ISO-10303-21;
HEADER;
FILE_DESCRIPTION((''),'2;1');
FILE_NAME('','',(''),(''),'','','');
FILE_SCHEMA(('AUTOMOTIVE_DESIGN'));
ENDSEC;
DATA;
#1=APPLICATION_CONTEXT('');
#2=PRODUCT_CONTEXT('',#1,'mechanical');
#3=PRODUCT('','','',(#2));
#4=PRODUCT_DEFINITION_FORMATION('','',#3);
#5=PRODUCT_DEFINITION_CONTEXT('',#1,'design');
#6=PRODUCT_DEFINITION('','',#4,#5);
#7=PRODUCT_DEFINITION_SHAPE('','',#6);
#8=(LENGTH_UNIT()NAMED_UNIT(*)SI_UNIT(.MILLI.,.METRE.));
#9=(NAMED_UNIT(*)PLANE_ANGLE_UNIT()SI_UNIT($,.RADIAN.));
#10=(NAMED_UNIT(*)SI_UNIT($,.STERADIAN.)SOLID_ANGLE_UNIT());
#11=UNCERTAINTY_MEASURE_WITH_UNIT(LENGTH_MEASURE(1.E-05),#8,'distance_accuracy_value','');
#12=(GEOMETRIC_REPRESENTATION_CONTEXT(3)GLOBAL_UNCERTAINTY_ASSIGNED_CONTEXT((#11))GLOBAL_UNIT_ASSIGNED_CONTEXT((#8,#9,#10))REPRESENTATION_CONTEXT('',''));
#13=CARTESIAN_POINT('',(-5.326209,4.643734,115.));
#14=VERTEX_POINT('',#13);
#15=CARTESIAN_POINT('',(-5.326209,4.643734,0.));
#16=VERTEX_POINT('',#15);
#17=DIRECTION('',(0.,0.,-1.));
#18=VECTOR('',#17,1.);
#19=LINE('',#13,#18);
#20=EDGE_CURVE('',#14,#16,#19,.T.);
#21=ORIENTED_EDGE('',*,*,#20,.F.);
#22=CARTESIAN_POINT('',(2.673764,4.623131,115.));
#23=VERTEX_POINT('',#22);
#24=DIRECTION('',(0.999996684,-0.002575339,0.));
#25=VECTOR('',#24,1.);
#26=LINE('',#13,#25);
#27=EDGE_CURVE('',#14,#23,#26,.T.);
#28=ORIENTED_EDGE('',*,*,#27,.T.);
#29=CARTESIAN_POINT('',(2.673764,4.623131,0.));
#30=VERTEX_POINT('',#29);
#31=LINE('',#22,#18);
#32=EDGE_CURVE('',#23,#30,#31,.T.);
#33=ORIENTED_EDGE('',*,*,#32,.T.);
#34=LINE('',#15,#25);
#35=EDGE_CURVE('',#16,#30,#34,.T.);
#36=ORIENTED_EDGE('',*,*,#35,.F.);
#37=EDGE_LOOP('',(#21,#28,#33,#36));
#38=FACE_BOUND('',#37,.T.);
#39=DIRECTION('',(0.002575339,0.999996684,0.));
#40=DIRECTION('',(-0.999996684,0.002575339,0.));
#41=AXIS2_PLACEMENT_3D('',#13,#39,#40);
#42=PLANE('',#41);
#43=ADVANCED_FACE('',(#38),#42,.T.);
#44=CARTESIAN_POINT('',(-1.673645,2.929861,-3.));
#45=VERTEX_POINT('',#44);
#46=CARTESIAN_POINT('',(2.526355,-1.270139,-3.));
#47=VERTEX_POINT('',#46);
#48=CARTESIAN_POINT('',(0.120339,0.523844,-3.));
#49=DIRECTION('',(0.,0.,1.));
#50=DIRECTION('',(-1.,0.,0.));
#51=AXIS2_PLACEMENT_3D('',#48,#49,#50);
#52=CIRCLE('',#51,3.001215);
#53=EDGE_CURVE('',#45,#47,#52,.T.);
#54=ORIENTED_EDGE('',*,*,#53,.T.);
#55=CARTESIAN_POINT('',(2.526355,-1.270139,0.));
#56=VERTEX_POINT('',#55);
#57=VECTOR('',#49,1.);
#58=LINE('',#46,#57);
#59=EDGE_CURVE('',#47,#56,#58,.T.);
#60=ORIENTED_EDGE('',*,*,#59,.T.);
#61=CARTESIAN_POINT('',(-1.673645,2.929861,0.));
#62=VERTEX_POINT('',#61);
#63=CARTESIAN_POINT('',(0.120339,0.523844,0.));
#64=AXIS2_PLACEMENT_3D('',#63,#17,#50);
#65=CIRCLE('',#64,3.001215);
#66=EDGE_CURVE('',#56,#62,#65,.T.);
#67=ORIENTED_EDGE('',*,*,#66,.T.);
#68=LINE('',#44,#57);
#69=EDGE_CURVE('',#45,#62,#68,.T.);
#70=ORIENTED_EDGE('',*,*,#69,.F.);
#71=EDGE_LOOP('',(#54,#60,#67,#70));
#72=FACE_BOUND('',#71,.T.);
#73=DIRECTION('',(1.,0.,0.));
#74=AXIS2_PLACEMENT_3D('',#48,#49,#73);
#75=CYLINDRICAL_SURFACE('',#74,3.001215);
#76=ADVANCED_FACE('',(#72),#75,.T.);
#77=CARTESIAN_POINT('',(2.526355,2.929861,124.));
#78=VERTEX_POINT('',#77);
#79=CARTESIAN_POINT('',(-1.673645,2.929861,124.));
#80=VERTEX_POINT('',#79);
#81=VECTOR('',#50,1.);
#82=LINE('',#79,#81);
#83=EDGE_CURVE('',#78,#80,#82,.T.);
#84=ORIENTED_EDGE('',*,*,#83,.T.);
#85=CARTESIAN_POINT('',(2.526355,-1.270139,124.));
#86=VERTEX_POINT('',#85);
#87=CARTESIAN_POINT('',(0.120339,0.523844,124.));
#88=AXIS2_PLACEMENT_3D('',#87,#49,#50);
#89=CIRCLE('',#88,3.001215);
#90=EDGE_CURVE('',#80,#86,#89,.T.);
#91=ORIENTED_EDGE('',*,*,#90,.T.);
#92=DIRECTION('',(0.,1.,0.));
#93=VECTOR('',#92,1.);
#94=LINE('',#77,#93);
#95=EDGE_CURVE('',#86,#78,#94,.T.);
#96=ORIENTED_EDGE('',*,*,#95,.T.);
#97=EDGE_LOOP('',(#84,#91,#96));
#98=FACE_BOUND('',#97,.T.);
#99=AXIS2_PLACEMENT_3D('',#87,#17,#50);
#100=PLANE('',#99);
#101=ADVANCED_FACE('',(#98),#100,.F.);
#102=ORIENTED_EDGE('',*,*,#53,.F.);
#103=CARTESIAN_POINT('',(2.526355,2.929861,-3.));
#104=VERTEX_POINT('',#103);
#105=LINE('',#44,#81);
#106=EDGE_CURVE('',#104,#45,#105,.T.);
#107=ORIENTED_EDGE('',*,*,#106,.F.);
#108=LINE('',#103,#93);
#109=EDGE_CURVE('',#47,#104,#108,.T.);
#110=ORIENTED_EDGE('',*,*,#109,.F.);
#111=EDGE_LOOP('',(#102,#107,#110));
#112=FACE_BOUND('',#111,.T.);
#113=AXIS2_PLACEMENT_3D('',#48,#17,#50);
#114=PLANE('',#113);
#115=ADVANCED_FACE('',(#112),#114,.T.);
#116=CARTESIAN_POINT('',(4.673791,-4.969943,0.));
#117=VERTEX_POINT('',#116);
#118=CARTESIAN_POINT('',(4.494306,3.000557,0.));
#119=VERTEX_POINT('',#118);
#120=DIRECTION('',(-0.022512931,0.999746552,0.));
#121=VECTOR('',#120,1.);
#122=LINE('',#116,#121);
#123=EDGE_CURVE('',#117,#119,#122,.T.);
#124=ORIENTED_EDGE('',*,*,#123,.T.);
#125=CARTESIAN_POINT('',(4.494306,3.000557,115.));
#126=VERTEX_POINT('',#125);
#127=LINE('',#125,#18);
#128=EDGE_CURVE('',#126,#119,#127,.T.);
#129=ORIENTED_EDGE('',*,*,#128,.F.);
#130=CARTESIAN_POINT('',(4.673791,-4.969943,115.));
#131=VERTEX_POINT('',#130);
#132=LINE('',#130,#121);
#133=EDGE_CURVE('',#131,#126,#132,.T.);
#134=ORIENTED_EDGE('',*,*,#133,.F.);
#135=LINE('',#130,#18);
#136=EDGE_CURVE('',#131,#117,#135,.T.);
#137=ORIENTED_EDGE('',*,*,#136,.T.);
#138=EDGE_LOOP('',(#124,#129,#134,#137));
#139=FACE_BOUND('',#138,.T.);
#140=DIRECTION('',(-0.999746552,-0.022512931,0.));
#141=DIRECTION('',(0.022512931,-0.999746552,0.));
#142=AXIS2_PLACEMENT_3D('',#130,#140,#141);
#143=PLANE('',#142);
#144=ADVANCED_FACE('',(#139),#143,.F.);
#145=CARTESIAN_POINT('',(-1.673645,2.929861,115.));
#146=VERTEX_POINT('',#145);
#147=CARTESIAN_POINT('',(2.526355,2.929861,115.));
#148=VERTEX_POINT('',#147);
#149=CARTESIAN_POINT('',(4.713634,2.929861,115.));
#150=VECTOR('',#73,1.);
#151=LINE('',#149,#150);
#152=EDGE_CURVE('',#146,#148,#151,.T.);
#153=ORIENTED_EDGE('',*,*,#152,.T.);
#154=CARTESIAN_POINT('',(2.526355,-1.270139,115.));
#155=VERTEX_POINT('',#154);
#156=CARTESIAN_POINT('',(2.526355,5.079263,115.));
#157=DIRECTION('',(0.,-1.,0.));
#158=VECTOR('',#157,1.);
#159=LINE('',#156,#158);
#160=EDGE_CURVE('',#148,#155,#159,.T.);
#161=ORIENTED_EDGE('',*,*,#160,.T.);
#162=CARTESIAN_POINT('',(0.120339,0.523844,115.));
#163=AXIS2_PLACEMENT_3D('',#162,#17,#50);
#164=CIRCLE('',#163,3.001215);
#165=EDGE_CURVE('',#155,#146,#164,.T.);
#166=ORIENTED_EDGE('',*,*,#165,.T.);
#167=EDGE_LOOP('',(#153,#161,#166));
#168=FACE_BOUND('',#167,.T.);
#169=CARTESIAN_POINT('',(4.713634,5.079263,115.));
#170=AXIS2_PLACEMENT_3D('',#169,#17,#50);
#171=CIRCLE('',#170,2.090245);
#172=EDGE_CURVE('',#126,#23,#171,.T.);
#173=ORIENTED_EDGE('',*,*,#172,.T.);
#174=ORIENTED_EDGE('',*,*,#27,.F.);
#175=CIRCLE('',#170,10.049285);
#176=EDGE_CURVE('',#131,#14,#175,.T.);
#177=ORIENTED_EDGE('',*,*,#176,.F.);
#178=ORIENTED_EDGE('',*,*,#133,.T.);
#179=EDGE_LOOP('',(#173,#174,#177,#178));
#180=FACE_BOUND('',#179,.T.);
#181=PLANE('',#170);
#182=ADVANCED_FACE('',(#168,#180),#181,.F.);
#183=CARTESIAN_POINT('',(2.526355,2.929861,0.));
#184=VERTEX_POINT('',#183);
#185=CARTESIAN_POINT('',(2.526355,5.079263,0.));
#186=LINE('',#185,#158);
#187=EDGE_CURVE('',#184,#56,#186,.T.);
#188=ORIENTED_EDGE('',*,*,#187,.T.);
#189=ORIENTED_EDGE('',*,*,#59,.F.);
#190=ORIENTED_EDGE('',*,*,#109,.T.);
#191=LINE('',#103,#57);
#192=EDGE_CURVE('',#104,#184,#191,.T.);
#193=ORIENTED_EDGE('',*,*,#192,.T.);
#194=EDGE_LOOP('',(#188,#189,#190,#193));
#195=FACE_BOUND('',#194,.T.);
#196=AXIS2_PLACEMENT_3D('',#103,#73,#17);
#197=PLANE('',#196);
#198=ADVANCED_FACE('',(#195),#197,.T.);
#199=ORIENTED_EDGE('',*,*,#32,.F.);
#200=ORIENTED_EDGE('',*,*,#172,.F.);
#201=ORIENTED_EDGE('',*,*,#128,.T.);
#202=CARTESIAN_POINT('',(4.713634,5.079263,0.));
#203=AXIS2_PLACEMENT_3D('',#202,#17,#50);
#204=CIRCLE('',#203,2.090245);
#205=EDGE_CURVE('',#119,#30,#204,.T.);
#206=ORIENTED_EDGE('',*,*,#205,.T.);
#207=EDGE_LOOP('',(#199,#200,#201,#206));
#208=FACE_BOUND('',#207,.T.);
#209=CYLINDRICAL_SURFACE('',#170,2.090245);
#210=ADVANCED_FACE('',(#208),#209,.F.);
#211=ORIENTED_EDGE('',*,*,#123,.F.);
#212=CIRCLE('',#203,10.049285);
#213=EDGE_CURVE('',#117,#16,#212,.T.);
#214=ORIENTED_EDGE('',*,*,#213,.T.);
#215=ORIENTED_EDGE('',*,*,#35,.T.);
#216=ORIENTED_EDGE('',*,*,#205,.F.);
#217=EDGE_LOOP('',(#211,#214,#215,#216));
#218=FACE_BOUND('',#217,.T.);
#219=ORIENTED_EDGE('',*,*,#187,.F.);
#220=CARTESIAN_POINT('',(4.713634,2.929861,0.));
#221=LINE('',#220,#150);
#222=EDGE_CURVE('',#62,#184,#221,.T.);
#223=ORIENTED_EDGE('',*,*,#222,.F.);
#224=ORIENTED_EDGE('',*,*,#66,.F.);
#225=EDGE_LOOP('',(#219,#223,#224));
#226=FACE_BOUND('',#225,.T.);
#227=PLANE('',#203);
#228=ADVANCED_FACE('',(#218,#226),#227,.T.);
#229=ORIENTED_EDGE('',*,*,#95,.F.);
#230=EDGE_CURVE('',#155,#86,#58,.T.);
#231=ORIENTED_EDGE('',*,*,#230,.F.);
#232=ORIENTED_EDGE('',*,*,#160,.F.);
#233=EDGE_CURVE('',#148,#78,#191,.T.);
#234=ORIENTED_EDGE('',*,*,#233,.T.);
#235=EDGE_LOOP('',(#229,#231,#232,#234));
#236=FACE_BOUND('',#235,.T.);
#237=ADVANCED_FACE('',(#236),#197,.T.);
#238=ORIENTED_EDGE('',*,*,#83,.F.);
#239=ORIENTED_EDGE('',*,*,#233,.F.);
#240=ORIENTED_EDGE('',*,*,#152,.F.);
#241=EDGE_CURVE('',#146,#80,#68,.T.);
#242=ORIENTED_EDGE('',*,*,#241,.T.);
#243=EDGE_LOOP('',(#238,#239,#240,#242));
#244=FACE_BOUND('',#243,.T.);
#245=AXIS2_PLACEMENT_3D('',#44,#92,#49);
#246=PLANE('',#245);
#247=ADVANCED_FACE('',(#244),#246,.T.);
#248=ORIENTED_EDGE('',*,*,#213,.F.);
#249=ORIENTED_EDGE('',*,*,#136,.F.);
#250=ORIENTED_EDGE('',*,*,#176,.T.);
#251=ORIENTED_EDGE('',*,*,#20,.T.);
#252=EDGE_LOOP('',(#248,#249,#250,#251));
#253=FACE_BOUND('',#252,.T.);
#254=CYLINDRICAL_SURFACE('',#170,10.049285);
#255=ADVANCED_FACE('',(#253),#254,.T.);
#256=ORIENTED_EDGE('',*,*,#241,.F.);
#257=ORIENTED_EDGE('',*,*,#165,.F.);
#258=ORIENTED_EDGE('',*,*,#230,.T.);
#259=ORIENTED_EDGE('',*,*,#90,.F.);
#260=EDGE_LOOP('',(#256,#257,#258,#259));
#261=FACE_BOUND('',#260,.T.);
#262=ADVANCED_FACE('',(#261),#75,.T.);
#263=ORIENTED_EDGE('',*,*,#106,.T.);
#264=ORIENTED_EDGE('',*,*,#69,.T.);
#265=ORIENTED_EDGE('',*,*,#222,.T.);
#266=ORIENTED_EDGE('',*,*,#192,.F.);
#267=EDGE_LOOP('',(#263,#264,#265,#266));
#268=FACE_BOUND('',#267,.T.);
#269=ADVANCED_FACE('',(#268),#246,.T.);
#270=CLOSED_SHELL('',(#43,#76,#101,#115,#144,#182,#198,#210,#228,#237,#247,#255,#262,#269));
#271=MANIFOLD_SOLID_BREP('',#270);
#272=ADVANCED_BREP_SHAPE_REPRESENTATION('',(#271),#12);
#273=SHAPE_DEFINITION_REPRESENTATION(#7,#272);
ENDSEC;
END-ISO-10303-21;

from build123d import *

# Parameters (mm, degrees)
BOSS_EXTRUDE1_DEPTH      = 115
BOSS_EXTRUDE2_DEPTH      = 9
BOSS_EXTRUDE2_DEPTH_BACK = 118


with BuildPart() as part:
    # Sketch1 → Boss-Extrude1 (new body)
    with BuildSketch(Plane.XY):
        with BuildLine():
            Line((4.673790886, -4.96994292), (4.494306077, 3.000557085))
            ThreePointArc((4.494306077, 3.000557085), (3.322885957, 3.518832419), (2.673764356, 4.623131094))
            Line((2.673764356, 4.623131094), (-5.326209114, 4.643733806))
            ThreePointArc((-5.326209114, 4.643733806), (-2.250970398, -2.165211908), (4.673790886, -4.96994292))
        make_face()
    extrude(amount=BOSS_EXTRUDE1_DEPTH)

    # Sketch2 → Boss-Extrude2 (add, two sides: drawn at the far end of the back side and taken through both)
    with BuildSketch(Plane.XY.offset(115).offset(-BOSS_EXTRUDE2_DEPTH_BACK)):
        with BuildLine():
            Line((-1.673644669, 2.929860911), (2.526355331, 2.929860911))
            Line((2.526355331, 2.929860911), (2.526355331, -1.270139089))
            ThreePointArc((2.526355331, -1.270139089), (-2.001840649, -1.598335069), (-1.673644669, 2.929860911))
        make_face()
    extrude(amount=BOSS_EXTRUDE2_DEPTH + BOSS_EXTRUDE2_DEPTH_BACK)


solid = part.part
